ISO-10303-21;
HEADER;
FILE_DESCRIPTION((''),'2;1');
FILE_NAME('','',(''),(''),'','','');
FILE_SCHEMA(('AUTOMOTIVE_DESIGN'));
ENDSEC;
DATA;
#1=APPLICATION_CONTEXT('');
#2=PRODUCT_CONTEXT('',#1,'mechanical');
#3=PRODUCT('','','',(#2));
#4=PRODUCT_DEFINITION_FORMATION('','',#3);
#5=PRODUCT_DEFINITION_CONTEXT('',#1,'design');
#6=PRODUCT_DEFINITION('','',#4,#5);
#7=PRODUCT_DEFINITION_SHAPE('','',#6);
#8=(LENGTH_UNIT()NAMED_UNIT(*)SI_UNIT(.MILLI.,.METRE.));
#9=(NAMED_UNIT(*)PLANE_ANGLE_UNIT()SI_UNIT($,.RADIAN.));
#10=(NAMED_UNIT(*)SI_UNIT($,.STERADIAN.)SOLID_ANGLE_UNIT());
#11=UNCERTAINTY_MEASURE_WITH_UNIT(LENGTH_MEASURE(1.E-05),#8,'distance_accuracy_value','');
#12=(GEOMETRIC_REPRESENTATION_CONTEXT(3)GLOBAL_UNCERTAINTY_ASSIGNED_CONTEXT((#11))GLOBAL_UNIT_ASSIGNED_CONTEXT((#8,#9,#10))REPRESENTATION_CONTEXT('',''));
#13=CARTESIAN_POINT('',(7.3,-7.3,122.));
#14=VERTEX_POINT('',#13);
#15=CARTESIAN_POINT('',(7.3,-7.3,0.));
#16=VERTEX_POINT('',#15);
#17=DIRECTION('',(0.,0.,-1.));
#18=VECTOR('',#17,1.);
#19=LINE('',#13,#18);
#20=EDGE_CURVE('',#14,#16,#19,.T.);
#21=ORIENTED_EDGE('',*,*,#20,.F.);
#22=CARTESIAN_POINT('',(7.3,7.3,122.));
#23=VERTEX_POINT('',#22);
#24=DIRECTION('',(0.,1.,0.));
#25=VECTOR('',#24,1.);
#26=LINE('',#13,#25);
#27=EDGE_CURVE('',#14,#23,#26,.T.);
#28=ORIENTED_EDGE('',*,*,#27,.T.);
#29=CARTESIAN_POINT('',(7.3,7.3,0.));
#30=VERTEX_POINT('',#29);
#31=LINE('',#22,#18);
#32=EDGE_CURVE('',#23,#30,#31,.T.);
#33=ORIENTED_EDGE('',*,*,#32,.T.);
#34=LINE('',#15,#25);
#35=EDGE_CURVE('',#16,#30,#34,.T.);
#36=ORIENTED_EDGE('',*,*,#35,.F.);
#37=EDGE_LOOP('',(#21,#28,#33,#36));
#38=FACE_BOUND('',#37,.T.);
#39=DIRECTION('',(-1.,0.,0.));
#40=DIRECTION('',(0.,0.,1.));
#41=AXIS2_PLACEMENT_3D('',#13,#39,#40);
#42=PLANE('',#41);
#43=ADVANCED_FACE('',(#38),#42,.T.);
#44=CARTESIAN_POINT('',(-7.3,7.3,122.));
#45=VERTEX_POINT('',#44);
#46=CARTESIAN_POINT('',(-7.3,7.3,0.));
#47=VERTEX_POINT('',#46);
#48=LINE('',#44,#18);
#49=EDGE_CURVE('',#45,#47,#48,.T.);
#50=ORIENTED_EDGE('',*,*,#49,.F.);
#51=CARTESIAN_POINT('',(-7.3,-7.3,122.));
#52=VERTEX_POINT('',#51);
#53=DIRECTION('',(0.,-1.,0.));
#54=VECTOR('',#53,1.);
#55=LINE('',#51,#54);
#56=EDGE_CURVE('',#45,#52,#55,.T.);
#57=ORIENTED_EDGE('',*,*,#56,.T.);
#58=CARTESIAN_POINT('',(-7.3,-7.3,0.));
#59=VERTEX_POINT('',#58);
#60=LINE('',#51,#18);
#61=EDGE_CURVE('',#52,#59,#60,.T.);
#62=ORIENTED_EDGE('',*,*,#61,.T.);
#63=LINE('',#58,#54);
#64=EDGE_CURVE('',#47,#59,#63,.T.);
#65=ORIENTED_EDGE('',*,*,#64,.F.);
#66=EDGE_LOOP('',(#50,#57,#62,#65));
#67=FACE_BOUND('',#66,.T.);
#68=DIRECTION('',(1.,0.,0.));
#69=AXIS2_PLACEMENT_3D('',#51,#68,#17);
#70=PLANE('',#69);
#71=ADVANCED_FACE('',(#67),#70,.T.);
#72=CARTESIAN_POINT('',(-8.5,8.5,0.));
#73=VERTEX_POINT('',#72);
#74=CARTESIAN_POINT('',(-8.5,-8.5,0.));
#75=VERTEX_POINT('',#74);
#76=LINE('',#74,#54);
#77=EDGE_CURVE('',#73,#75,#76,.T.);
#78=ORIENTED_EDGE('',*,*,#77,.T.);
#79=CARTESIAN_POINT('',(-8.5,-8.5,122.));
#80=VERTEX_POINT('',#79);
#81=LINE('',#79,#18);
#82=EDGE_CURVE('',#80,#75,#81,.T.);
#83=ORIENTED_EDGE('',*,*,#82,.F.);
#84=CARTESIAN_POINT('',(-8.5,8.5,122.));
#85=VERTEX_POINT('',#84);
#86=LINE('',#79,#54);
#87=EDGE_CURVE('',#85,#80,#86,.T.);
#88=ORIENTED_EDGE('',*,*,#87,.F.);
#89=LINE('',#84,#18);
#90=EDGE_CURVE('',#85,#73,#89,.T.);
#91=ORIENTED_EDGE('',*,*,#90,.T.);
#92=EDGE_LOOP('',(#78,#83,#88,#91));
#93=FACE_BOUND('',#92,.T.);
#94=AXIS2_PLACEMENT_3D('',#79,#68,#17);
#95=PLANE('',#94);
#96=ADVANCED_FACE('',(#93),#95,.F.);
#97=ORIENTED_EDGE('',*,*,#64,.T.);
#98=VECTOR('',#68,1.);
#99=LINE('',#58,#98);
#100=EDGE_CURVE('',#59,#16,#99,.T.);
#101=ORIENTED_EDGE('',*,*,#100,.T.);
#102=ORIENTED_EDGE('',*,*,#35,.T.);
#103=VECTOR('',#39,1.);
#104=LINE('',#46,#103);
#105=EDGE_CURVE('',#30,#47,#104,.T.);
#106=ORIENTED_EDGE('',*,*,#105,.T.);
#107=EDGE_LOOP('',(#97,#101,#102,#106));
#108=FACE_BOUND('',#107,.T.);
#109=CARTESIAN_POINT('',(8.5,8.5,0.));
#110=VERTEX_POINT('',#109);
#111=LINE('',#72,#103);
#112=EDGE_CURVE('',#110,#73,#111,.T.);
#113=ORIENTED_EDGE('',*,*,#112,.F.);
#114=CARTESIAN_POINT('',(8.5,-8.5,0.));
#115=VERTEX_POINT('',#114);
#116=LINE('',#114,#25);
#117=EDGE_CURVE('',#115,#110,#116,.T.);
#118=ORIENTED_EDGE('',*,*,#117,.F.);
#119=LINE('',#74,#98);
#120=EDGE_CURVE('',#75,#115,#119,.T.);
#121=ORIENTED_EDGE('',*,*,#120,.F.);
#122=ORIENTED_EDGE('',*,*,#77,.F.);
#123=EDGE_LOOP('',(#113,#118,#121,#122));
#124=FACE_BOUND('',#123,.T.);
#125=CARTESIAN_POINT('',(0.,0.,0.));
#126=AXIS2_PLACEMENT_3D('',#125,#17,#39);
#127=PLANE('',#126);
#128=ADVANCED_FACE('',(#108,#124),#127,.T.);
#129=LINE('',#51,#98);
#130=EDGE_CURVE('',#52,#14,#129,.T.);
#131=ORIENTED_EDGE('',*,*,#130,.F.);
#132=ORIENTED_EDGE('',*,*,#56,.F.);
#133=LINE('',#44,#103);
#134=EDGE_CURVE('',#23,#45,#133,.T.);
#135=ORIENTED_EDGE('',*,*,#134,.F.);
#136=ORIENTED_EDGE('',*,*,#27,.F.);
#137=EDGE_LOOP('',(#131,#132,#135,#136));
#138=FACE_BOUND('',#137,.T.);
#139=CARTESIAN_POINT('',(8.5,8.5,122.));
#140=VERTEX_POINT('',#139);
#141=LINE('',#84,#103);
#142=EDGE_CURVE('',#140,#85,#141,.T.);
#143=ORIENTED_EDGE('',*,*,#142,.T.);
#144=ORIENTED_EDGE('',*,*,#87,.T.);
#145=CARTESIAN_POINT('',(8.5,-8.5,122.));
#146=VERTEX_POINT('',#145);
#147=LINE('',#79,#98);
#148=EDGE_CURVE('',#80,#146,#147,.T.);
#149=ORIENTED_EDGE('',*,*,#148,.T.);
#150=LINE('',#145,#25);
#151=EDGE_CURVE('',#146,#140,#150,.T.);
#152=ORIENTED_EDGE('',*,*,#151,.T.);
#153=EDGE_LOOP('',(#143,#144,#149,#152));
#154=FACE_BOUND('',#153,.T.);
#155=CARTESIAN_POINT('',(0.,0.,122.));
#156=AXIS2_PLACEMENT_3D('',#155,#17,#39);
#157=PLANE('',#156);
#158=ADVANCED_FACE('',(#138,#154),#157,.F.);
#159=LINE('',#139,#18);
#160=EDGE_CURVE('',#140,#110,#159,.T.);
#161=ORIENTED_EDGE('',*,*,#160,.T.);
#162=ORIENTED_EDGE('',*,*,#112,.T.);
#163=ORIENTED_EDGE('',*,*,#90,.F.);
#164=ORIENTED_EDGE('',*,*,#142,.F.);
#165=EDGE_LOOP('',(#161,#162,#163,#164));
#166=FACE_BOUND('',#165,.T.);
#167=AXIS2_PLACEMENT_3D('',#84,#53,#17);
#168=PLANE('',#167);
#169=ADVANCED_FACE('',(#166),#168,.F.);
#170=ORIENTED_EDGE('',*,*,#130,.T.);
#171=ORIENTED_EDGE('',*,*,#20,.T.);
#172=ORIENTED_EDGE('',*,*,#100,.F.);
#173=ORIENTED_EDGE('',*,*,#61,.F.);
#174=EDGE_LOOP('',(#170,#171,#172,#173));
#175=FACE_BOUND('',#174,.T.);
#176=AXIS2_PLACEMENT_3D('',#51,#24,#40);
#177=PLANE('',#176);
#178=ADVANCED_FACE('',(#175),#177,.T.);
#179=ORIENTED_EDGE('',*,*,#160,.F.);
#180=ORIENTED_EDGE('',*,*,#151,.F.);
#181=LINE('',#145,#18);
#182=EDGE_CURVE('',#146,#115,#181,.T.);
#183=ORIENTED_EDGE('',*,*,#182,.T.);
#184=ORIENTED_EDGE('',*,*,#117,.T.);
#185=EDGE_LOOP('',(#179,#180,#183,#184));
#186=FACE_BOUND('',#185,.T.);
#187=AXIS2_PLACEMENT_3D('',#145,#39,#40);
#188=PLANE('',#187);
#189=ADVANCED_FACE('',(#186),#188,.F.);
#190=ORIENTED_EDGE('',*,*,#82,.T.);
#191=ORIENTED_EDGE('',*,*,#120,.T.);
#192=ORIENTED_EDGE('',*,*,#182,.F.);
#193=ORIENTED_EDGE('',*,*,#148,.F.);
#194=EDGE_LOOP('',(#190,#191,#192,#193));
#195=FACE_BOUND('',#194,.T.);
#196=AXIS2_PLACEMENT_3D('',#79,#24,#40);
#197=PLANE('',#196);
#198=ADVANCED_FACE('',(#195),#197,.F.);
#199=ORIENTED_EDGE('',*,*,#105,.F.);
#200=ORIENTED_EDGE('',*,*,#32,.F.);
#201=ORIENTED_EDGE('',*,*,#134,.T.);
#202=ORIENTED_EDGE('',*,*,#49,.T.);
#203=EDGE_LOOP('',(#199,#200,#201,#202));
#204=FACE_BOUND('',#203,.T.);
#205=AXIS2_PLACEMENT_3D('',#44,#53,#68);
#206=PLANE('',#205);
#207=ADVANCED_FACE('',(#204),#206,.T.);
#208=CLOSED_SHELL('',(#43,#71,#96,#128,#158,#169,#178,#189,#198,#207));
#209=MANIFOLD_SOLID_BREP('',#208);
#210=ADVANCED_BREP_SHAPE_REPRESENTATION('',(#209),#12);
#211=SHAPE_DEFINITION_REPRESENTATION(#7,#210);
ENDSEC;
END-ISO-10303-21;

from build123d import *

# Parameters (mm, degrees)
SKETCH1_W           = 17
SKETCH1_H           = 17
SKETCH1_W_2         = 14.6
SKETCH1_H_2         = 14.6
BOSS_EXTRUDE1_DEPTH = 122


with BuildPart() as part:
    # Sketch1 → Boss-Extrude1 (new body)
    with BuildSketch(Plane.XY):
        Rectangle(SKETCH1_W, SKETCH1_H)
        Rectangle(SKETCH1_W_2, SKETCH1_H_2, mode=Mode.SUBTRACT)
    extrude(amount=BOSS_EXTRUDE1_DEPTH)


solid = part.part
